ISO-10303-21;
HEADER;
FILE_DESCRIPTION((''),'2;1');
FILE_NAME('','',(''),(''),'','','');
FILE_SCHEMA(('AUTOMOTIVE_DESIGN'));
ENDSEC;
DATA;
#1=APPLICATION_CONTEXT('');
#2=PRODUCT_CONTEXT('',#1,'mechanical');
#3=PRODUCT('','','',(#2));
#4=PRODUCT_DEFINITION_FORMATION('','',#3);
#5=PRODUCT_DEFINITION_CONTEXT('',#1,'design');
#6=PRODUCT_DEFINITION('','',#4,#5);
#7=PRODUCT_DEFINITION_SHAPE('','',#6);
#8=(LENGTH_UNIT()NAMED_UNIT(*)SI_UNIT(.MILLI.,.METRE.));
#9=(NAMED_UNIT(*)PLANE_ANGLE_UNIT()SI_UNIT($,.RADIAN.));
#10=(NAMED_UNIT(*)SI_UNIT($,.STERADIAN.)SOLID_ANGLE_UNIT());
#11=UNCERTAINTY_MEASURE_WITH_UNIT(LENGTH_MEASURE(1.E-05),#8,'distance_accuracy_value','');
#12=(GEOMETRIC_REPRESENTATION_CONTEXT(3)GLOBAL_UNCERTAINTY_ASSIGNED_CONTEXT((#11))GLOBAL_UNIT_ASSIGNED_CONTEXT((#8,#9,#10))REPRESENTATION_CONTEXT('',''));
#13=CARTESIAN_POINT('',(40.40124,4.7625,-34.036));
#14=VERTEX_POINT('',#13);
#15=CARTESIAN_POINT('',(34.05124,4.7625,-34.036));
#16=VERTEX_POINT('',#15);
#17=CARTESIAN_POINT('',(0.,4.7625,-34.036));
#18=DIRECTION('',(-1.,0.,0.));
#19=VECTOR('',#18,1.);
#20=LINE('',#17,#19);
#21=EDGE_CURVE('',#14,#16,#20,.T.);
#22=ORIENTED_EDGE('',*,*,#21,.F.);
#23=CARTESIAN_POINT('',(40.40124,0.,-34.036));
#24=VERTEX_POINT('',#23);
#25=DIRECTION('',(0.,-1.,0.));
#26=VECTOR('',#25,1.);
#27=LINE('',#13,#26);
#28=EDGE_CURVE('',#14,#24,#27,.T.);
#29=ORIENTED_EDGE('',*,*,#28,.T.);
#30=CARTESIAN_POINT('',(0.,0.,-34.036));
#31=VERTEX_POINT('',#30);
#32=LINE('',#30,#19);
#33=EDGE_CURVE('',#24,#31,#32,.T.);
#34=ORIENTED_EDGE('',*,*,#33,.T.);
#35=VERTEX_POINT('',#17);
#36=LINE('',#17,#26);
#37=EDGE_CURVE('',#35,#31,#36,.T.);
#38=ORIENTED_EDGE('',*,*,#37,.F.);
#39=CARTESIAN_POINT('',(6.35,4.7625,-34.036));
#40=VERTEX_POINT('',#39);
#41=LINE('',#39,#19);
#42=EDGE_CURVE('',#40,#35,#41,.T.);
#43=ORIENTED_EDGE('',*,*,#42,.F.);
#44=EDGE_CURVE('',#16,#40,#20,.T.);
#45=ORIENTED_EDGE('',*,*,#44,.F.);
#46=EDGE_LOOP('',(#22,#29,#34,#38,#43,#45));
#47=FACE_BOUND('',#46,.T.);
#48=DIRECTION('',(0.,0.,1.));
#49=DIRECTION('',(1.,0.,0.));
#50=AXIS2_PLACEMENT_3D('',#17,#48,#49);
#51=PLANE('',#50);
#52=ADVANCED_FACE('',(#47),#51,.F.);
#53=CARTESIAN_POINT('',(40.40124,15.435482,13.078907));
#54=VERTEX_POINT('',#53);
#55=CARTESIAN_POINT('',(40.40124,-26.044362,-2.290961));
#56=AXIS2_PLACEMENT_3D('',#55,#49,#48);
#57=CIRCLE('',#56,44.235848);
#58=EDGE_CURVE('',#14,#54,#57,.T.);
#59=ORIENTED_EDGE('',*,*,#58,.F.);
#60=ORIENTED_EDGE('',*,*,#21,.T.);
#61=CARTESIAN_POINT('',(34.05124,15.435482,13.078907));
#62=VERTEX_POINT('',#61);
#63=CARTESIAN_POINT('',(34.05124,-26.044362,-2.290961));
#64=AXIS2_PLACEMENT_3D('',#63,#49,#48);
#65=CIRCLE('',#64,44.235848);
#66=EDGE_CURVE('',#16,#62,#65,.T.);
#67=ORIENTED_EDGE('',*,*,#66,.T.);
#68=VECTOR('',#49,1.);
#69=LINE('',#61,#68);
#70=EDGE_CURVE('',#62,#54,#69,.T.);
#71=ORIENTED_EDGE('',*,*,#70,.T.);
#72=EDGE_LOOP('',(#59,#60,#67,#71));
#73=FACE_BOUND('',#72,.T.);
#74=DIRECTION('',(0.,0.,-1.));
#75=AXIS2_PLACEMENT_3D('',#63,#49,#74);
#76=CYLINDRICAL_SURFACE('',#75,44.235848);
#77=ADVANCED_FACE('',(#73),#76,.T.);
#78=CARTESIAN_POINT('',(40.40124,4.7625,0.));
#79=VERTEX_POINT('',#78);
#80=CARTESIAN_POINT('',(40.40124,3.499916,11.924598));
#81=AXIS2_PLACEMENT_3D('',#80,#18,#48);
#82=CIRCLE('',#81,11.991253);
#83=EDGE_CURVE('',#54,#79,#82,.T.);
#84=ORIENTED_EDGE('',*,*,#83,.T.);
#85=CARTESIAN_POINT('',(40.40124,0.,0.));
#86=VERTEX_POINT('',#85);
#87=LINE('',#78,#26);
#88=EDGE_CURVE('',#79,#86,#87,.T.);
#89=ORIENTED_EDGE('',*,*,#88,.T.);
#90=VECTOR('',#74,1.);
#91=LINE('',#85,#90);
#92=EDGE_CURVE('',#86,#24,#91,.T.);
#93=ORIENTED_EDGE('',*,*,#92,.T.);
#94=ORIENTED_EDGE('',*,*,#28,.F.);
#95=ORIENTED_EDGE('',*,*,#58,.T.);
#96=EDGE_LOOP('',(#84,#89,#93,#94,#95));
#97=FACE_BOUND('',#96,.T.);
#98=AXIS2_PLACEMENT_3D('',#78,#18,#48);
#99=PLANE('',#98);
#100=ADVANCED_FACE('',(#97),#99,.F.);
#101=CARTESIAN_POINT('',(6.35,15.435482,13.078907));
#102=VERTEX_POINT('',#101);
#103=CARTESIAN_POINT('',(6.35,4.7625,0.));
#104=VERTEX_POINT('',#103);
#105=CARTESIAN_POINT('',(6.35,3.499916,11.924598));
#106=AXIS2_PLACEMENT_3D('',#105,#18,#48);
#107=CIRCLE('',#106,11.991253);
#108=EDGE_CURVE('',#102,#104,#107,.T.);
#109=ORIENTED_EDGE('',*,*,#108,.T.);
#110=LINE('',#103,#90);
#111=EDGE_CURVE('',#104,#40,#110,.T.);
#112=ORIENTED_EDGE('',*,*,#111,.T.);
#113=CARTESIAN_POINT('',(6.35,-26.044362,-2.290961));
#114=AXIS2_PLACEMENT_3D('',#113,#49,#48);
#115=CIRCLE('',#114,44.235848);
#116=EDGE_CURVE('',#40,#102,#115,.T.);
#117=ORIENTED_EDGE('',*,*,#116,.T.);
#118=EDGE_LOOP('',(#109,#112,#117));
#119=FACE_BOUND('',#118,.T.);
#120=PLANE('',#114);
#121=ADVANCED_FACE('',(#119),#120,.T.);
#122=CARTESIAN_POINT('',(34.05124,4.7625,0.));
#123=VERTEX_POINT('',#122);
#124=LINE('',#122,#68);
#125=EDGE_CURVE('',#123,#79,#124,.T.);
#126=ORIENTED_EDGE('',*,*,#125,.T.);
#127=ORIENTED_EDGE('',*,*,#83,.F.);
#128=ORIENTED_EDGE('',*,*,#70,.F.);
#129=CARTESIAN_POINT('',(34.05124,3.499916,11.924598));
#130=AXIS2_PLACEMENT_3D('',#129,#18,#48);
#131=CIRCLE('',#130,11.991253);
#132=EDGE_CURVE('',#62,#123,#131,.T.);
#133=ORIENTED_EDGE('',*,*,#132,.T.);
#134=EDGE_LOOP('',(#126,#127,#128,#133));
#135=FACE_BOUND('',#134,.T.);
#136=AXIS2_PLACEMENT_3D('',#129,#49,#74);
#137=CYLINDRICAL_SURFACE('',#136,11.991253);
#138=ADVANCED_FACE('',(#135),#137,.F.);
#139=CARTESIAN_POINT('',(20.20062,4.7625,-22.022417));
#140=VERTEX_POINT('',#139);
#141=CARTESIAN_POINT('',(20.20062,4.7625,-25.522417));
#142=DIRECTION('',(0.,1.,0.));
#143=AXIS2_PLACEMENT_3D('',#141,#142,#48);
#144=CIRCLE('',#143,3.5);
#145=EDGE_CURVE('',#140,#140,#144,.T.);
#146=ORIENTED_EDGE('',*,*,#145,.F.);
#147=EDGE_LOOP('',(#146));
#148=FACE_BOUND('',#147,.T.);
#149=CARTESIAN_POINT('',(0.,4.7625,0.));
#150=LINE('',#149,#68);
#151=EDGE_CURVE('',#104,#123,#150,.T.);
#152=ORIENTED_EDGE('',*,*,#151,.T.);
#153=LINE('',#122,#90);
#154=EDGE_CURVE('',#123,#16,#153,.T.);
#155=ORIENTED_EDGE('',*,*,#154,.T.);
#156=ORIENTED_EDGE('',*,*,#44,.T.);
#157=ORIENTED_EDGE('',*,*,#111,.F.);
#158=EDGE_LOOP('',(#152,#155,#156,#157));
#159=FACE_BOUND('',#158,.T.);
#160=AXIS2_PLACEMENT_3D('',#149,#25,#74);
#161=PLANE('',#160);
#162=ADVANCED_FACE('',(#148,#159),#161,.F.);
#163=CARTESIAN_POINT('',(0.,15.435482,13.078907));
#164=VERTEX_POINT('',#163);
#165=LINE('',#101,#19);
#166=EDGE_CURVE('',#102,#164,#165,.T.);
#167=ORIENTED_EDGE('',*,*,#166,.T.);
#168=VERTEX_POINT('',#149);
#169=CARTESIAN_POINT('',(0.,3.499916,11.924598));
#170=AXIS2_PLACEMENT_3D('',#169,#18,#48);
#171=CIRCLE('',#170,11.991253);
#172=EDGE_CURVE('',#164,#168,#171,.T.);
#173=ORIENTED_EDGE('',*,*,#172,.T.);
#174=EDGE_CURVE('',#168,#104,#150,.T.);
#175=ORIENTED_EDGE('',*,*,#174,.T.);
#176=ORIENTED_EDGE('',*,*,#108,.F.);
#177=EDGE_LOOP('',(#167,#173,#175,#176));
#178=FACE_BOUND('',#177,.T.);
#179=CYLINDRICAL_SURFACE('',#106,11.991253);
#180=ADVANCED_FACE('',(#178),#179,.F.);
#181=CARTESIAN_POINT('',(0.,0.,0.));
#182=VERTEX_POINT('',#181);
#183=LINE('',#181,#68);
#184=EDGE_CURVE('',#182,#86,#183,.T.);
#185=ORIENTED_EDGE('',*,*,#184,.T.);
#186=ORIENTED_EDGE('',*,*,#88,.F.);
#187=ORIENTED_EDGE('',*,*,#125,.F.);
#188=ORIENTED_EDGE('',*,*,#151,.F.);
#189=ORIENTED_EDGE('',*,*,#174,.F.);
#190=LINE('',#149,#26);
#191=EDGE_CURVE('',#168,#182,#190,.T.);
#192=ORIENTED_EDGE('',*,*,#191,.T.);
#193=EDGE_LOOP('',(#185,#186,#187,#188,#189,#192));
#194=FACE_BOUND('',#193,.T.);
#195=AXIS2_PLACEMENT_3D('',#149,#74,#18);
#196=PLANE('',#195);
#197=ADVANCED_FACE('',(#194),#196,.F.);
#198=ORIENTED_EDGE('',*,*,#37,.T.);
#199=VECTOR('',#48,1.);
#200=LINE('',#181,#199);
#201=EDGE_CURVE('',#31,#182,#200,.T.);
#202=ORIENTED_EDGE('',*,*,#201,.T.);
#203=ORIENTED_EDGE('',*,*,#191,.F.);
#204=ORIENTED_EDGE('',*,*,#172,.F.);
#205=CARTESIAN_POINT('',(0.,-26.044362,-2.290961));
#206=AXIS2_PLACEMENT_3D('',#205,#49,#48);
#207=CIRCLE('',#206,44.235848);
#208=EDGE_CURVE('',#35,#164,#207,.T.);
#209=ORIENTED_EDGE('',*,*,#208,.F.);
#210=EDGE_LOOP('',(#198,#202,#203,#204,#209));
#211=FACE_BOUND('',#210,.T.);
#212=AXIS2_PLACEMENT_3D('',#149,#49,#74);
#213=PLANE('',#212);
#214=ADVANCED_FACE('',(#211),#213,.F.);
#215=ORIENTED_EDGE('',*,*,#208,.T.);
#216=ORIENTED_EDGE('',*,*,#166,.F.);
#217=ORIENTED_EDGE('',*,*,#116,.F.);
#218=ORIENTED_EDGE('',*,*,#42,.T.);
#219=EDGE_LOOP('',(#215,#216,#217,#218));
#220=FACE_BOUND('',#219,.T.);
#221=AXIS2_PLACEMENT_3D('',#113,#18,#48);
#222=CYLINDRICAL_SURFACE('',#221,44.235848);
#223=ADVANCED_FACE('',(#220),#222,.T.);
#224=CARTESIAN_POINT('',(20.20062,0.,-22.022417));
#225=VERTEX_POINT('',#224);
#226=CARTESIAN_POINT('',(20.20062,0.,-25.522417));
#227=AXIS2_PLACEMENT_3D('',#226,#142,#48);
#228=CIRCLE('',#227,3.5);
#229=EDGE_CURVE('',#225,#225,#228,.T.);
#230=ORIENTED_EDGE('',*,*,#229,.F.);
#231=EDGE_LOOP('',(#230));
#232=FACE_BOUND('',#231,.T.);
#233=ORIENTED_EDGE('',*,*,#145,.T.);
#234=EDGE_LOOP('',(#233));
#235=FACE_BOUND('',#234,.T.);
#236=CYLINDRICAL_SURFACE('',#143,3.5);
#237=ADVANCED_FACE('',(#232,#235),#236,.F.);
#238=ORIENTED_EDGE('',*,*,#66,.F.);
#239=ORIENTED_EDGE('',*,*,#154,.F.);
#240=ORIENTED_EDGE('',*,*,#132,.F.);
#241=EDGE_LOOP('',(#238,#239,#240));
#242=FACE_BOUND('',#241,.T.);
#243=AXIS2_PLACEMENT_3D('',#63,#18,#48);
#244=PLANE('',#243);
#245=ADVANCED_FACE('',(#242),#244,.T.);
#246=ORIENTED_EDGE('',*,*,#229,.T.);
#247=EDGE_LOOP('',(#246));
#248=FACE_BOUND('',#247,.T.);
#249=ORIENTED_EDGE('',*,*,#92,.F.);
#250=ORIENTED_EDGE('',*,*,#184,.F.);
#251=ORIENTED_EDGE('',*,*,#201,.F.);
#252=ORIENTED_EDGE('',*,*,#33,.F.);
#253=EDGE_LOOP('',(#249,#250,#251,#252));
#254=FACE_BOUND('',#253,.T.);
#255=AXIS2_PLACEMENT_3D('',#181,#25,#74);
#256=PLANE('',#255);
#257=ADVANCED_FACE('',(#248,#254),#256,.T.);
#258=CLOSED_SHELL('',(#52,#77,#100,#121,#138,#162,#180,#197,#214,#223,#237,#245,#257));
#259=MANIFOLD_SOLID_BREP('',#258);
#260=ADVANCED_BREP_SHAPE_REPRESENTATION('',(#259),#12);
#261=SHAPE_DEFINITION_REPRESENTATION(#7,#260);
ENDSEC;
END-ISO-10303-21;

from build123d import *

# Parameters (mm, degrees)
SKETCH1_W            = 40.40124
SKETCH1_H            = 34.036
SKETCH1_R            = 1.257288094
BOSS_EXTRUDE1_DEPTH  = 4.7625
M6_CLEARANCE_HOLE1_D = 7
BOSS_EXTRUDE3_DEPTH  = 6.35


with BuildPart() as part:
    # Sketch1 → Boss-Extrude1 (new body)
    with BuildSketch(Plane(origin=(0, 0, 0), x_dir=(1, 0, 0), z_dir=(0, 1, 0))):
        with Locations((20.20062, 17.018)):
            Rectangle(SKETCH1_W, SKETCH1_H)
        with Locations(Location((20.20062, 25.522416525, 0), (0, 0, 90))):
            Circle(SKETCH1_R, mode=Mode.SUBTRACT)
    extrude(amount=BOSS_EXTRUDE1_DEPTH)

    # M6 Clearance Hole1 (through all)
    with Locations(Plane(origin=(0, 4.7625, 0), x_dir=(1, 0, 0), z_dir=(0, 1, 0))):
        with Locations((20.20062, 25.522416525)):
            Hole(M6_CLEARANCE_HOLE1_D / 2)

    # Sketch5 → Boss-Extrude3 (add)
    with BuildSketch(Plane(origin=(40.40124, 0, 0), x_dir=(0, 0, -1), z_dir=(1, 0, 0))):
        with BuildLine():
            Line((0, 4.7625), (34.036, 4.7625))
            ThreePointArc((34.036, 4.7625), (12.064122693, 17.098372866), (-13.078907049, 15.43548166))
            ThreePointArc((-13.078907049, 15.43548166), (-4.343178895, 12.790354185), (0, 4.7625))
        make_face()
    boss_extrude3 = extrude(amount=-BOSS_EXTRUDE3_DEPTH)

    # Mirror1: Boss-Extrude3 across plane
    add(boss_extrude3.mirror(Plane(origin=(20.20062, 0, 0), x_dir=(0, 0, 1), z_dir=(1, 0, 0))))


solid = part.part
